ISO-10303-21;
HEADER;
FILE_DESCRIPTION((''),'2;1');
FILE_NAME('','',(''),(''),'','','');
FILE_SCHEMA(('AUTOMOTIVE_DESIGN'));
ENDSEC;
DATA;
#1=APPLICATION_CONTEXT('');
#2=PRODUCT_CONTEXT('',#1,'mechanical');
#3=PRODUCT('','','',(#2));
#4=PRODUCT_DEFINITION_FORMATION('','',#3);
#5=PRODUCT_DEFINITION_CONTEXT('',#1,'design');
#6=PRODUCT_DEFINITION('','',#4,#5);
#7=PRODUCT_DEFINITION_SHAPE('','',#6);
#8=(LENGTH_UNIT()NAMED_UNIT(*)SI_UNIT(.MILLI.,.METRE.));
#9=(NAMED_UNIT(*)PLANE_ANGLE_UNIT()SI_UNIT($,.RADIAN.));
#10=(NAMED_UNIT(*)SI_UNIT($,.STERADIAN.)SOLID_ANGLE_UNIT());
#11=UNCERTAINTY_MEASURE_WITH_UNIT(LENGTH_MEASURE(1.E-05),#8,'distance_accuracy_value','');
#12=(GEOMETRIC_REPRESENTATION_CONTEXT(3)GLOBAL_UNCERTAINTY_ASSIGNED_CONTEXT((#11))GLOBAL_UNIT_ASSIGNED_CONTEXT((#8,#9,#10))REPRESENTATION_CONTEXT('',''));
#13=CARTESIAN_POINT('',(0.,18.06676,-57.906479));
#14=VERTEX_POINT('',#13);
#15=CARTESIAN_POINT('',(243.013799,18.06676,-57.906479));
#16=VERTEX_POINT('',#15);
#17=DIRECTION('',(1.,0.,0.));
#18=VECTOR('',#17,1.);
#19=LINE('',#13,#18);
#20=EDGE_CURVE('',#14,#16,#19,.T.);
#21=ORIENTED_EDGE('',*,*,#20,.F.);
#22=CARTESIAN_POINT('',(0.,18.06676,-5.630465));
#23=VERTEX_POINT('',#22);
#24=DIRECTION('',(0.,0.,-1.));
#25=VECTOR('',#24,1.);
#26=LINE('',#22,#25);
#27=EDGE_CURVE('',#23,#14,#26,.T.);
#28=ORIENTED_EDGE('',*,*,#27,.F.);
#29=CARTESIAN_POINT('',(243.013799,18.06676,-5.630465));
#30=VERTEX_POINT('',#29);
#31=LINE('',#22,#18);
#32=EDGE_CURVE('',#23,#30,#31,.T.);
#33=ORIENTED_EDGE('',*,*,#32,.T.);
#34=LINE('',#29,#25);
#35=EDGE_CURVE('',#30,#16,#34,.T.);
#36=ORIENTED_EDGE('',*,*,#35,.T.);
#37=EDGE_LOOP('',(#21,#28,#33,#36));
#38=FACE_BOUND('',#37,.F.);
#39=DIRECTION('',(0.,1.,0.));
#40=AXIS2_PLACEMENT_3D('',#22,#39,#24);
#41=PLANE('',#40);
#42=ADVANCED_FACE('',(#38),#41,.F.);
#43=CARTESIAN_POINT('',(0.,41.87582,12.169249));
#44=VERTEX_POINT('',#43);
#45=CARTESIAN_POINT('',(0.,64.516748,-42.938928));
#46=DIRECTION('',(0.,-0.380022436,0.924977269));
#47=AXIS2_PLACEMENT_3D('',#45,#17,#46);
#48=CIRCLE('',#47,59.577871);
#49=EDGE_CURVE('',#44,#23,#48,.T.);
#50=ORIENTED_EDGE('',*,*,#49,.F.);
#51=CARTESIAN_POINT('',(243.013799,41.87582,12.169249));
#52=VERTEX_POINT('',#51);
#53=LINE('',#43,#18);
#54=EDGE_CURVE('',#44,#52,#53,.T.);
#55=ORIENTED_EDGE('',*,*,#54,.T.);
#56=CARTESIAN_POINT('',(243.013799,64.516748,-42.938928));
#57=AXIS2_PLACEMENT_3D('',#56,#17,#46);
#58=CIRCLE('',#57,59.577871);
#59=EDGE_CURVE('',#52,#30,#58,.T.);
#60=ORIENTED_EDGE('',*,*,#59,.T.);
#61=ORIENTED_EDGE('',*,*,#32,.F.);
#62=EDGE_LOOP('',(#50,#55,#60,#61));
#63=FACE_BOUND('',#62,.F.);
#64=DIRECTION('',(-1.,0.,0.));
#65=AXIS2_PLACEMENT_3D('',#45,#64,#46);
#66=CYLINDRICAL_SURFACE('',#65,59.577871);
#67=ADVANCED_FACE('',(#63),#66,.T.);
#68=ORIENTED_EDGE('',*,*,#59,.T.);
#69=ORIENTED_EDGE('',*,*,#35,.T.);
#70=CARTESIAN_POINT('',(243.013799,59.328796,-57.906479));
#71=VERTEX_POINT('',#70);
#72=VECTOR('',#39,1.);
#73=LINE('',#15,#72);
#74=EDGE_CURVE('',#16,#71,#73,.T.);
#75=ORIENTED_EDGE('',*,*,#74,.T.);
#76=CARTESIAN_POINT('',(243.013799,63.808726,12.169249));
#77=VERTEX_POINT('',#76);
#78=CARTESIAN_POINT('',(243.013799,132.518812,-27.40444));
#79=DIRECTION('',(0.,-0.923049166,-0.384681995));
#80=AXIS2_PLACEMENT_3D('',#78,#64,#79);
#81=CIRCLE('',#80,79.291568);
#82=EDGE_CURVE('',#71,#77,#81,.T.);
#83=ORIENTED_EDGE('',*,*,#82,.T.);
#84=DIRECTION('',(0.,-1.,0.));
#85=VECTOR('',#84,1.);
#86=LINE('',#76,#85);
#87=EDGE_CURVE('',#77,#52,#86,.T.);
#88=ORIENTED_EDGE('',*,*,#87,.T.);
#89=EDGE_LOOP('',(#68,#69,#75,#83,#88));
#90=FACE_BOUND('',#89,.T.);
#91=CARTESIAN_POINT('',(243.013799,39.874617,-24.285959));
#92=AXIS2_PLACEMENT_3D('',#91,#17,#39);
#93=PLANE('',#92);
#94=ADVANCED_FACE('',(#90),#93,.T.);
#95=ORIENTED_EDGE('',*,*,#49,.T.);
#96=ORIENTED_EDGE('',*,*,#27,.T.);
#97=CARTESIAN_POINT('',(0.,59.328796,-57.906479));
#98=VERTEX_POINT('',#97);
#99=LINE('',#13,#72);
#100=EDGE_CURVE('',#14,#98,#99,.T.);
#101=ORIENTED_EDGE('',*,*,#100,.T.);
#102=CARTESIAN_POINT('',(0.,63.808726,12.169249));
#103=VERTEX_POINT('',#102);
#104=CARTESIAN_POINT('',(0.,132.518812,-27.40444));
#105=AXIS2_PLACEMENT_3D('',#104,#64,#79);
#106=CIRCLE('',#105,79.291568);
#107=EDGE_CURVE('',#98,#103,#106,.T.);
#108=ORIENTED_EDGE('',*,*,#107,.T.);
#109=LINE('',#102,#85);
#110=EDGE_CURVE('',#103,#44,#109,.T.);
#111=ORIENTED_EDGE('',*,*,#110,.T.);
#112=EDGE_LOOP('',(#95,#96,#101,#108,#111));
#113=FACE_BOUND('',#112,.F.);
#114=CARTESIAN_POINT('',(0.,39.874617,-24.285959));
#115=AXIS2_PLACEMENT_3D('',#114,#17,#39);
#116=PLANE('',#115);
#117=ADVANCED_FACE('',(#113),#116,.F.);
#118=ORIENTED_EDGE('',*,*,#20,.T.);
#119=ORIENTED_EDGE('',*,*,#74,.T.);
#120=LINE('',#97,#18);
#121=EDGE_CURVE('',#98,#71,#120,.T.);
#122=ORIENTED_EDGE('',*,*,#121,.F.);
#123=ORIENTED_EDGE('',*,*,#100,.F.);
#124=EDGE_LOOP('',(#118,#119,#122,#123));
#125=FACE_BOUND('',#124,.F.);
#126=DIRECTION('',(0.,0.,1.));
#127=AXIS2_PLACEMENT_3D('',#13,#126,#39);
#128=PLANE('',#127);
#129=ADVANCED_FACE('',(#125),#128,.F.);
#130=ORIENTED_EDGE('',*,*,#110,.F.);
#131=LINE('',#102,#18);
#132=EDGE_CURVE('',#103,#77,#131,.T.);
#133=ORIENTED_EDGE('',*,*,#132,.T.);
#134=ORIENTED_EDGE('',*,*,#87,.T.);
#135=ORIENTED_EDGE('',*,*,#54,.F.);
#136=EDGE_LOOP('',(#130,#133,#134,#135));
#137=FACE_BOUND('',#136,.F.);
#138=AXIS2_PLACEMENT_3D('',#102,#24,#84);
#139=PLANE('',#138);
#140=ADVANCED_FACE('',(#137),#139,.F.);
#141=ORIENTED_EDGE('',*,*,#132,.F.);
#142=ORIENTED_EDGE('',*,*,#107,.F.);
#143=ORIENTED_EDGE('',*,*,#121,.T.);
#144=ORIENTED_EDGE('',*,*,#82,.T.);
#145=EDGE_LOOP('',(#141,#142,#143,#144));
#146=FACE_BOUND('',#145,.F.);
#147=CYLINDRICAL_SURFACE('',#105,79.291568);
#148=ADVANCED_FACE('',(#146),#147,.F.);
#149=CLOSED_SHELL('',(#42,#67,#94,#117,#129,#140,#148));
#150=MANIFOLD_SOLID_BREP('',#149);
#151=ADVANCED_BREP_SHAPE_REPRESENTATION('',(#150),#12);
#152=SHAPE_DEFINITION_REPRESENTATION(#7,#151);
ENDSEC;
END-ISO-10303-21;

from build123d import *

# Parameters (mm, degrees)
F1_DEPTH = 243.013799


with BuildPart() as f1:
    # F0 (on Right) → F1 (new body)
    with BuildSketch(Plane.YZ):
        with BuildLine():
            Line((18.06676, -5.630465), (18.06676, -57.906479))
            Line((18.06676, -57.906479), (26.591718, -57.906479))
            Line((26.591718, -57.906479), (59.328796, -57.906479))
            ThreePointArc((59.328796, -57.906479), (53.388782, -22.34567), (63.808726, 12.169249))
            Line((63.808726, 12.169249), (41.87582, 12.169249))
            ThreePointArc((41.87582, 12.169249), (28.843283, 4.778225), (18.06676, -5.630465))
        make_face()
    extrude(amount=F1_DEPTH)


solid = f1.part
